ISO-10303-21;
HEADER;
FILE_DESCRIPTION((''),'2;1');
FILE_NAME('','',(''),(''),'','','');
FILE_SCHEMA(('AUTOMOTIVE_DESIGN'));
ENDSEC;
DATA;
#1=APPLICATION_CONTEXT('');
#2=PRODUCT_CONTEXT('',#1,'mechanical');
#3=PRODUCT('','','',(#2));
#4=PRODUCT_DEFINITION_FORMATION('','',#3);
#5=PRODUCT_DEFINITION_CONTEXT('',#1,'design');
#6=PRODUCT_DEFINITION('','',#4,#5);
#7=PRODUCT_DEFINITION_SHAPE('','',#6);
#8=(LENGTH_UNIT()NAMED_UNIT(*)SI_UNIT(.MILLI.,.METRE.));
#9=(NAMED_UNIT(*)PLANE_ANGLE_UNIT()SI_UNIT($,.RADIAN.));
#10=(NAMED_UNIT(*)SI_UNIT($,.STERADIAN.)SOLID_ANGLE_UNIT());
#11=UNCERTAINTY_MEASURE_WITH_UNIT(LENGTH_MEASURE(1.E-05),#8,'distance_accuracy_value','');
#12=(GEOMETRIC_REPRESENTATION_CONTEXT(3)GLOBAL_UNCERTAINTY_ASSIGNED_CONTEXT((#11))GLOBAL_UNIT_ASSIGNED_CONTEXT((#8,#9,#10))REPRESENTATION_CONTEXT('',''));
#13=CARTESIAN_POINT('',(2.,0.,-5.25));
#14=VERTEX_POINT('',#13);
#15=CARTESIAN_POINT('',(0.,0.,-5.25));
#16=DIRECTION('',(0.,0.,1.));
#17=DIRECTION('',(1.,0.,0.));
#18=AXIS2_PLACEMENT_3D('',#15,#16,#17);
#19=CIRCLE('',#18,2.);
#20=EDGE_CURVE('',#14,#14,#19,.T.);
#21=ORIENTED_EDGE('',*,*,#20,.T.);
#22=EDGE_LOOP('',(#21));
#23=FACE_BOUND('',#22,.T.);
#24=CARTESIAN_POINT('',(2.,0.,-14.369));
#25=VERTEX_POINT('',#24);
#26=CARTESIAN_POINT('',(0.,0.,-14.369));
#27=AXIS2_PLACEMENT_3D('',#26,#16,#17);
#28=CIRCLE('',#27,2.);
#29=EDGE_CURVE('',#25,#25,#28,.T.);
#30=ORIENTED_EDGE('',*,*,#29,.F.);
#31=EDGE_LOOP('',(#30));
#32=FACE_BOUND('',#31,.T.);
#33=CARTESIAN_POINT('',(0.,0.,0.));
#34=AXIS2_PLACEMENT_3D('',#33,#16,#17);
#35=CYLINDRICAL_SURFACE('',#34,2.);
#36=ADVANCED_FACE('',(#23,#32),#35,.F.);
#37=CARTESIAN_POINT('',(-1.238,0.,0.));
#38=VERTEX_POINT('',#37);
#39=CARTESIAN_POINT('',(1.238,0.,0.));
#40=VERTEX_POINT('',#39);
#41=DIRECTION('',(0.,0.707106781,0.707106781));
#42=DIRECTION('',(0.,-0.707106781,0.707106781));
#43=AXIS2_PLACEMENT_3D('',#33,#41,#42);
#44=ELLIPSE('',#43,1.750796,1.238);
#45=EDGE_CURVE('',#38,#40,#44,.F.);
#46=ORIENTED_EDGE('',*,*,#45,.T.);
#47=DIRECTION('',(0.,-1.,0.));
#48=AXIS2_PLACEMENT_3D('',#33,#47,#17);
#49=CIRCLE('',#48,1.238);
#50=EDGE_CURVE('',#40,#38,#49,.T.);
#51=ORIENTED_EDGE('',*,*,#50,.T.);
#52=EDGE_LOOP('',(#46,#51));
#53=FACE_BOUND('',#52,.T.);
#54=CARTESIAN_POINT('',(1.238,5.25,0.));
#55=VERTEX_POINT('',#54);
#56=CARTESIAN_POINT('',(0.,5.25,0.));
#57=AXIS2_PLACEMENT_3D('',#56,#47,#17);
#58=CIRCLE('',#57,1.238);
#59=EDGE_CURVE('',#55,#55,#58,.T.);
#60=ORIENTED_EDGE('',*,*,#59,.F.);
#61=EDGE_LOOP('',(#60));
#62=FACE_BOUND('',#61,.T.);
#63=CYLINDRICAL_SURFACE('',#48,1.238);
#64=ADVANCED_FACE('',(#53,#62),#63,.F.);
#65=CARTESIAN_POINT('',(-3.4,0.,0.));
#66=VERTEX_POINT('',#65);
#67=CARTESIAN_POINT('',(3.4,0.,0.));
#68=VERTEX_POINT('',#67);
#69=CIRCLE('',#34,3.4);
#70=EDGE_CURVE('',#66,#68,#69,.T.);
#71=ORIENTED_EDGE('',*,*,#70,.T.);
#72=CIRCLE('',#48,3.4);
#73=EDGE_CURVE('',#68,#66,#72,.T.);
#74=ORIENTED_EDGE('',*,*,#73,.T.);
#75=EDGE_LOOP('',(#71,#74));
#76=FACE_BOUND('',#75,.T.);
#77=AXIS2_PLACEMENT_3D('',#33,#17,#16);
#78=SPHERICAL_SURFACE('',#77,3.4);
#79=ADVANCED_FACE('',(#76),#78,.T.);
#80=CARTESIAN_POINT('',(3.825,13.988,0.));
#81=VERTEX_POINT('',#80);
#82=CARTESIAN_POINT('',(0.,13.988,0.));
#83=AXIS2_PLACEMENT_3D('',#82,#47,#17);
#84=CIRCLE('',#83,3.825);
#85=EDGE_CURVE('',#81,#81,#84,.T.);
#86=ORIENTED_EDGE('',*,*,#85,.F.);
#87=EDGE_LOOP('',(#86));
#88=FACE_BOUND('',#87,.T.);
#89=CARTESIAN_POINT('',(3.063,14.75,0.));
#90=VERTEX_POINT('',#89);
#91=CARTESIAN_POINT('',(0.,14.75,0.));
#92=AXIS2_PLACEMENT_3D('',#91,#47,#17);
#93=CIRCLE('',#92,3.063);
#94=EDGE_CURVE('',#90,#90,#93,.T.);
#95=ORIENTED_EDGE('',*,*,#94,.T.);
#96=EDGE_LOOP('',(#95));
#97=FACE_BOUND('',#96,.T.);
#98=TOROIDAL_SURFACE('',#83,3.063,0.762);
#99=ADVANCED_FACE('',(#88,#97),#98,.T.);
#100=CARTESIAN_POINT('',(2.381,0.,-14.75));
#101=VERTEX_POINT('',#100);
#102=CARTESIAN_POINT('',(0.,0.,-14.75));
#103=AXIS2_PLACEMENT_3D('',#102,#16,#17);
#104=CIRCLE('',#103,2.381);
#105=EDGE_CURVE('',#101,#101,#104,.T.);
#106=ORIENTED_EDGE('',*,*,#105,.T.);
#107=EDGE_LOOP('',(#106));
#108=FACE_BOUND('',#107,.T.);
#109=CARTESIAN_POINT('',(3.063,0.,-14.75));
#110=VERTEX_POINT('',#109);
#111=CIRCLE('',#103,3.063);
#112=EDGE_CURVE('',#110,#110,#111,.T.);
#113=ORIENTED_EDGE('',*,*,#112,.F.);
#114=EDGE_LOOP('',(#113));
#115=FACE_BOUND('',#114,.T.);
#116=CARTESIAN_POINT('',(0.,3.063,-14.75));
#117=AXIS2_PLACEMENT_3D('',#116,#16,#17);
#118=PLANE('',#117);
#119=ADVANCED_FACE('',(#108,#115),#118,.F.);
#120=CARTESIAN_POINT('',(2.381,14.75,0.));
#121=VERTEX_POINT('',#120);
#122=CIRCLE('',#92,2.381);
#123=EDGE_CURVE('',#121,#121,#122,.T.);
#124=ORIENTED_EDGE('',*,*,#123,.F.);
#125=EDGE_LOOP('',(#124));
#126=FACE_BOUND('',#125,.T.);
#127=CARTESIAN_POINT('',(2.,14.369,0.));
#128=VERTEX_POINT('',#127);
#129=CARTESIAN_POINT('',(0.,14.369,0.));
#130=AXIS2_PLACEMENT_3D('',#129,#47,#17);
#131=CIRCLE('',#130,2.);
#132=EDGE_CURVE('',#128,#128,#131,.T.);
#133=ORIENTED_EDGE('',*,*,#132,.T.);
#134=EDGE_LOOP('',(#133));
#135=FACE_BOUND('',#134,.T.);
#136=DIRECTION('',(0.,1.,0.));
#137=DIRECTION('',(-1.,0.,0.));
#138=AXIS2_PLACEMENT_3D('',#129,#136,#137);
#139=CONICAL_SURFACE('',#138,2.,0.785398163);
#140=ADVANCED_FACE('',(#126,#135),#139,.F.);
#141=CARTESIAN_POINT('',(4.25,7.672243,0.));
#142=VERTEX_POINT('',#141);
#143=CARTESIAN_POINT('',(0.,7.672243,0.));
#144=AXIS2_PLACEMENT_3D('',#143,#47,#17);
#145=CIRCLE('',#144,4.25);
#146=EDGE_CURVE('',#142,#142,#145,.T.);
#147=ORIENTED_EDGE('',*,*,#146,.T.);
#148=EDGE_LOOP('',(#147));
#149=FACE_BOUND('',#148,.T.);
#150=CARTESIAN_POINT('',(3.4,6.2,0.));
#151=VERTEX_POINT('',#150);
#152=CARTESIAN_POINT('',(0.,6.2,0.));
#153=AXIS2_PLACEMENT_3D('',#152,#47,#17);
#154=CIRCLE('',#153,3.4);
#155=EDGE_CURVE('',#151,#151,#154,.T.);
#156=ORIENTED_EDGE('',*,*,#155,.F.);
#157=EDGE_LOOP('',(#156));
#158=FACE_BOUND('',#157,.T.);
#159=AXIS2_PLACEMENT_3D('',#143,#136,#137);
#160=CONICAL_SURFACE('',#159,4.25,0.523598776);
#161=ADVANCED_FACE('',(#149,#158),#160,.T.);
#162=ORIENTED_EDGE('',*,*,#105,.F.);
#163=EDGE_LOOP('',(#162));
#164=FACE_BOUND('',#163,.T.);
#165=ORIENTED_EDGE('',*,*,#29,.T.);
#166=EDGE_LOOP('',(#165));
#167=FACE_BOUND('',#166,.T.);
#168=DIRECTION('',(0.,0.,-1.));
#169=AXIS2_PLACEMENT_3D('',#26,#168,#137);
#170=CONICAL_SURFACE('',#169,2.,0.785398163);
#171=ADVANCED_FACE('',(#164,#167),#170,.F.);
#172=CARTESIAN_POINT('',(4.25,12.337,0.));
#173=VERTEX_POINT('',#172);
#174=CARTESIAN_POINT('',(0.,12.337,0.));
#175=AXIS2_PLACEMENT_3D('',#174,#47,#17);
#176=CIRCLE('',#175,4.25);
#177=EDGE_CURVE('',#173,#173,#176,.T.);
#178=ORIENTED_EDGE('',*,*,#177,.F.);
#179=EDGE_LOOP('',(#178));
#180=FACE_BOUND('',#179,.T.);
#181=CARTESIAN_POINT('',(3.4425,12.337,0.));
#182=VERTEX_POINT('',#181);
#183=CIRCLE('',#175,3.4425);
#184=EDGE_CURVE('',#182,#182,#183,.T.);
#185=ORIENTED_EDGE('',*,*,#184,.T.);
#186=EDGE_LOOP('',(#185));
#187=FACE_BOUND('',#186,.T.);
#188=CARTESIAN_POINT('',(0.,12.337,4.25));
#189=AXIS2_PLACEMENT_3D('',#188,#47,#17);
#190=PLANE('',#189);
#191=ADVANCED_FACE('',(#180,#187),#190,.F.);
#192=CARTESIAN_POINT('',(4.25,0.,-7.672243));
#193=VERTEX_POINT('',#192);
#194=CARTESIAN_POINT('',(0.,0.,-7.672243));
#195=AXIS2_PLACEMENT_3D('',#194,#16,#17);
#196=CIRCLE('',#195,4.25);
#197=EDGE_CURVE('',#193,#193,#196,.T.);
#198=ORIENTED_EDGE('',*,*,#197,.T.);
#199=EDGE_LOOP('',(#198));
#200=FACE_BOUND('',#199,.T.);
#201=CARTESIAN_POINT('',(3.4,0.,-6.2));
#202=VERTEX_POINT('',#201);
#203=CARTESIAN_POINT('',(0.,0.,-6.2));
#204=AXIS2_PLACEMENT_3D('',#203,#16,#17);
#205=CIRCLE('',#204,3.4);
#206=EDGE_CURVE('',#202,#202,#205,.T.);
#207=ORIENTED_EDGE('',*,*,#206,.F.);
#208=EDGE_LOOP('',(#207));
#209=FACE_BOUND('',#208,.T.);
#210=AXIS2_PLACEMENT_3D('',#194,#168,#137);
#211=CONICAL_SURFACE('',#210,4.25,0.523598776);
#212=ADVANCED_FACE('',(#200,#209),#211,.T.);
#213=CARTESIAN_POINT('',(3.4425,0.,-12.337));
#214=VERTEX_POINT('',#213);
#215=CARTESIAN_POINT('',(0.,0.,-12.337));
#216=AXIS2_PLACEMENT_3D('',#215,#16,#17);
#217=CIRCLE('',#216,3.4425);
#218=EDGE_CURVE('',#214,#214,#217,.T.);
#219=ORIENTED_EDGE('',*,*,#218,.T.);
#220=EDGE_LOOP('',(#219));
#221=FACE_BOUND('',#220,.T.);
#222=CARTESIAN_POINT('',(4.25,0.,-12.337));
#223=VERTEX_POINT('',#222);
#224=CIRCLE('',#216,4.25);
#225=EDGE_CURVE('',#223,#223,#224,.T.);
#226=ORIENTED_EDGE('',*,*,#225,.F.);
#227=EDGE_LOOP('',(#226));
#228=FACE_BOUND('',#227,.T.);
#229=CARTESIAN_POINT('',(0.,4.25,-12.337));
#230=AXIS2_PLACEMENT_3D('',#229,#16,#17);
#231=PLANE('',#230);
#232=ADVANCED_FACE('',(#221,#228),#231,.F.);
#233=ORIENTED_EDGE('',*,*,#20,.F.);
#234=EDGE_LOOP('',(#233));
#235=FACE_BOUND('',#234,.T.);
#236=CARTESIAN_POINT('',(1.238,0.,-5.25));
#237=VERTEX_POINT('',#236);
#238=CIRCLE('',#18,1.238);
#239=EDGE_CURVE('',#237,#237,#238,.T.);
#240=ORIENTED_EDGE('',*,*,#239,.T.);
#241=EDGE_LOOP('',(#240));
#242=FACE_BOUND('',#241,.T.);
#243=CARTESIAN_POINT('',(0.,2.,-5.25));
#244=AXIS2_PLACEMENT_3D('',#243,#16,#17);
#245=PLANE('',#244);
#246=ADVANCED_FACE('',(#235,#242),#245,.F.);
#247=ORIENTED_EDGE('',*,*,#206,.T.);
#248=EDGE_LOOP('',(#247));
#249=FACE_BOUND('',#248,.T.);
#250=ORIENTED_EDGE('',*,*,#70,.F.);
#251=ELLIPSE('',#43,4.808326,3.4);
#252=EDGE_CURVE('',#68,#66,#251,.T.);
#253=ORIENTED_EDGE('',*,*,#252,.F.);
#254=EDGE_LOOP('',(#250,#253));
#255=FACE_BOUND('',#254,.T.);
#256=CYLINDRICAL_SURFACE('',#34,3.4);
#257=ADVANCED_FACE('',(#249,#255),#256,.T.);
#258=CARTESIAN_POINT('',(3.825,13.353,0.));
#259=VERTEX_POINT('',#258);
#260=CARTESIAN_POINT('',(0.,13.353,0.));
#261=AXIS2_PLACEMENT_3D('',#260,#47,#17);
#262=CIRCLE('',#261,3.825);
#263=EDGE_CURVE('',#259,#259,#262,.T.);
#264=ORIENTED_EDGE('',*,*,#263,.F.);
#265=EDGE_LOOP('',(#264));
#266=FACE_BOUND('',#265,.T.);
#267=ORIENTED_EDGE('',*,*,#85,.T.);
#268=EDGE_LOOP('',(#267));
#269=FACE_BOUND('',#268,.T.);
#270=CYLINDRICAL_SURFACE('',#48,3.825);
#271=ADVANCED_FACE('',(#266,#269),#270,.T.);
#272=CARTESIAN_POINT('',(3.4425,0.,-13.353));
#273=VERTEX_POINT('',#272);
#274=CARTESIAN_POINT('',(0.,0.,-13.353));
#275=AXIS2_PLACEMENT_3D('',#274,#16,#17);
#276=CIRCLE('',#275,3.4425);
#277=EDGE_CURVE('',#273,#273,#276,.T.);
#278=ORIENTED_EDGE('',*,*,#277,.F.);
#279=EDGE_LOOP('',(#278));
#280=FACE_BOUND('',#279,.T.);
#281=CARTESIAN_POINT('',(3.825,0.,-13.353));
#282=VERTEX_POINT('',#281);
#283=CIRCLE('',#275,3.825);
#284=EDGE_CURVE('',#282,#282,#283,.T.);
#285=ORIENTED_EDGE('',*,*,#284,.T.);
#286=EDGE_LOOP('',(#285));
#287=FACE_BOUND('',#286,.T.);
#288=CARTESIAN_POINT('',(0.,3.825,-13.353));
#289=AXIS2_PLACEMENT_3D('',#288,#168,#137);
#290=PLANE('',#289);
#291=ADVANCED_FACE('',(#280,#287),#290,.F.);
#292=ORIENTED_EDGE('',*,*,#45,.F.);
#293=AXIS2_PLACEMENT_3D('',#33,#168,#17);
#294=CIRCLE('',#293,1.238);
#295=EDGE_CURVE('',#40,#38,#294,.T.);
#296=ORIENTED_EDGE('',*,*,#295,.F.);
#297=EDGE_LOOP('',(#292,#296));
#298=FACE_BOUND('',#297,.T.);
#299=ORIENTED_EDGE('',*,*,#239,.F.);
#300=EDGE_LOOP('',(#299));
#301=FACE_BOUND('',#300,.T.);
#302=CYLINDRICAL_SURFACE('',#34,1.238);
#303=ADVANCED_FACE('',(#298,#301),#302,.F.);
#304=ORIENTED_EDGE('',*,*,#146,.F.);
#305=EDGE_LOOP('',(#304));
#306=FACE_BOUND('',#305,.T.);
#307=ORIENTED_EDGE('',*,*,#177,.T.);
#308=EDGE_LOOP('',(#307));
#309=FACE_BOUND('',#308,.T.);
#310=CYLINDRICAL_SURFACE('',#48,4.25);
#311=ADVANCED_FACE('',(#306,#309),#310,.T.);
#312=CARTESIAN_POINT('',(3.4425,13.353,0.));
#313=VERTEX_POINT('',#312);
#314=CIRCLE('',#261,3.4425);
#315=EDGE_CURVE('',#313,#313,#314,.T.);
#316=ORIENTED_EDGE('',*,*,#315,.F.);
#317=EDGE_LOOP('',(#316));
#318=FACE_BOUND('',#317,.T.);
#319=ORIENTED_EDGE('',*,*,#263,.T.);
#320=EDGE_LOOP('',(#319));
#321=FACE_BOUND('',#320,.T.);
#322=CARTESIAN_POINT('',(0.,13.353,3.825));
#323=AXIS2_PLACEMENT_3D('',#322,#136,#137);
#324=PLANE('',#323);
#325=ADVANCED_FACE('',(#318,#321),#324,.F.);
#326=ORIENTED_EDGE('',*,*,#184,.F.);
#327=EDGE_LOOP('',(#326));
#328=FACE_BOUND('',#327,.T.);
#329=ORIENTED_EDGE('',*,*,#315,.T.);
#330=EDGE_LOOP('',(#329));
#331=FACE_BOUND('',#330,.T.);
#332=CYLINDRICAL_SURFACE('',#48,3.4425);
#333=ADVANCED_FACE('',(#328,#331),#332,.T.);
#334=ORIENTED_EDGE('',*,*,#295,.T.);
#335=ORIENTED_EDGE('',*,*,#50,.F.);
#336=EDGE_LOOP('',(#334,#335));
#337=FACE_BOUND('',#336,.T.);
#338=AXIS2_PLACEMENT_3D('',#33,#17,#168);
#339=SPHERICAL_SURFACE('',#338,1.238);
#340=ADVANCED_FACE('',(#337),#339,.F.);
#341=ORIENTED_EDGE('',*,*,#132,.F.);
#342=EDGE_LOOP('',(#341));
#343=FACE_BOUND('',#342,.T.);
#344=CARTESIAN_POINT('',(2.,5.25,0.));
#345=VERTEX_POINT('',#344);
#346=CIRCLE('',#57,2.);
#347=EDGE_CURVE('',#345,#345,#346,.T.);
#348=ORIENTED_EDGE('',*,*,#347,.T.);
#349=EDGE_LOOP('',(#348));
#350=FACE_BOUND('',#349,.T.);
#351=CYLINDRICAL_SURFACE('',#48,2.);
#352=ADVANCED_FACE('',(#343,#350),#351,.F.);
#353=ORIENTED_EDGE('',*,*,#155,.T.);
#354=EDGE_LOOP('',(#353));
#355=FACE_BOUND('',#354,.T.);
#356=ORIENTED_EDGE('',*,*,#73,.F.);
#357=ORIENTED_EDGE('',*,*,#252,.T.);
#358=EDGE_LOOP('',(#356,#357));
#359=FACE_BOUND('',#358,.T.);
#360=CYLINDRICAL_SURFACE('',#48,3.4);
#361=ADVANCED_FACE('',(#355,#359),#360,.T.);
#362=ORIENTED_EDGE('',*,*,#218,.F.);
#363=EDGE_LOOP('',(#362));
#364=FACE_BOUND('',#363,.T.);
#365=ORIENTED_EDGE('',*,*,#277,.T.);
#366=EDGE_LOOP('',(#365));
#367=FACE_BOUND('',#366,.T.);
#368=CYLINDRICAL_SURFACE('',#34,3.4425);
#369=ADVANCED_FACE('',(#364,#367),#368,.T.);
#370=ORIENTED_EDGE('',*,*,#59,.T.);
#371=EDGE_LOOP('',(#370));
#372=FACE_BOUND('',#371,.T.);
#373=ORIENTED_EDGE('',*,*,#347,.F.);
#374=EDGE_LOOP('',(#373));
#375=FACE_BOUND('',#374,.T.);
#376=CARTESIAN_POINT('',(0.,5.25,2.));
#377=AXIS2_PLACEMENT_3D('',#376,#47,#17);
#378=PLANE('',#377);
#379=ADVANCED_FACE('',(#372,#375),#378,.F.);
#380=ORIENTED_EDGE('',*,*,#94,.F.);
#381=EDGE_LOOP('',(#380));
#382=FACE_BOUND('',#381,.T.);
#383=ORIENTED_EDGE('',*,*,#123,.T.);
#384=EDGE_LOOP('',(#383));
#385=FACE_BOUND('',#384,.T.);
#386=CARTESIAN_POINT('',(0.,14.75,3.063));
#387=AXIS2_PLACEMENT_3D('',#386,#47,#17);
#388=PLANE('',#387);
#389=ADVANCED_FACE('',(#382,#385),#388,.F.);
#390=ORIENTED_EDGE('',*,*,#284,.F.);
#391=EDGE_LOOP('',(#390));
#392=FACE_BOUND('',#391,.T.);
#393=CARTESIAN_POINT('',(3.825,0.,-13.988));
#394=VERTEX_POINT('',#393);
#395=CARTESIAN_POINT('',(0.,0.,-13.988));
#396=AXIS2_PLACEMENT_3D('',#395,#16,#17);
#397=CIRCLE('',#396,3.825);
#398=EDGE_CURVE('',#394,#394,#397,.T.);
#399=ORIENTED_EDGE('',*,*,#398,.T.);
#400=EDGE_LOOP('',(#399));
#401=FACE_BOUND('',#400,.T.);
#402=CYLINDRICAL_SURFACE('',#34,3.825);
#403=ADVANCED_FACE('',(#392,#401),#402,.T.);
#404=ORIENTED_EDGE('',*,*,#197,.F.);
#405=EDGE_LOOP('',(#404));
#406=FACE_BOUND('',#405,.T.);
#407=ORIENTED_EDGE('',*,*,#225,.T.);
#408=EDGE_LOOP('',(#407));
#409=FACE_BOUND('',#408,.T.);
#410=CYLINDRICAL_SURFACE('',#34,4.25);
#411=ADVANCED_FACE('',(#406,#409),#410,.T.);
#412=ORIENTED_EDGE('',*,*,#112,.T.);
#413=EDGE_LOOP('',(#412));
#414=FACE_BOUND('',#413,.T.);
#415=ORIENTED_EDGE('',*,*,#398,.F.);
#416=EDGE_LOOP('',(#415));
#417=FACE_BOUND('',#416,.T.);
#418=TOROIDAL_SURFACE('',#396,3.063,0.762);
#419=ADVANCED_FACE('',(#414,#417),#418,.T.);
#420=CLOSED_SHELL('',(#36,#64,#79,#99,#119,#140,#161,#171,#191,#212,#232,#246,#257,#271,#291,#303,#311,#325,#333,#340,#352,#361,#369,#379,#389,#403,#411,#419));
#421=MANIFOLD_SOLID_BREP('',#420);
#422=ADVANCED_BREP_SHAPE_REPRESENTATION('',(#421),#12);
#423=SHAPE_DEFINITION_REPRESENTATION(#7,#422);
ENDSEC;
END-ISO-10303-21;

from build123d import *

# Parameters (mm, degrees)
CIRPATTERN1_COUNT = 2
CIRPATTERN1_ANGLE = 90
REVOLVE2_ANGLE    = 90
CIRPATTERN2_COUNT = 2
CIRPATTERN2_ANGLE = 90


with BuildPart() as part:
    # Sketch1 → Revolve1 (revolve)
    with BuildSketch(Plane(origin=(0, 0, 0), x_dir=(0, 0, -1), z_dir=(1, 0, 0)), mode=Mode.PRIVATE) as revolve1_sk:
        with BuildLine():
            Line((13.353, 3.825), (13.988, 3.825))
            ThreePointArc((13.988, 3.825), (14.526815367, 3.601815367), (14.75, 3.063))
            Line((14.75, 3.063), (14.75, 2.381))
            Line((14.75, 2.381), (14.369, 2))
            Line((14.369, 2), (5.25, 2))
            Line((5.25, 2), (5.25, 1.238))
            Line((5.25, 1.238), (0, 1.238))
            Line((0, 1.238), (0, 3.4))
            Line((0, 3.4), (6.2, 3.4))
            Line((6.2, 3.4), (7.672243186, 4.25))
            Line((7.672243186, 4.25), (12.337, 4.25))
            Line((12.337, 4.25), (12.337, 3.4425))
            Line((12.337, 3.4425), (13.353, 3.4425))
            Line((13.353, 3.4425), (13.353, 3.825))
        make_face()
    revolve(revolve1_sk.sketch.rotate(Axis((0, 0, 0), (0, 0, -1)), 90), axis=Axis((0, 0, 0), (0, 0, -1)))


with BuildPart() as cirpattern1_1:
    # CirPattern1: pattern copy
    add(part.part.rotate(Axis((-4.675, 0, 0), (1, 0, 0)), 1 * CIRPATTERN1_ANGLE / (CIRPATTERN1_COUNT - 1)))


with BuildPart() as part_1:
    add(part.part)

    # Sketch2 → Revolve2 (revolve)
    with BuildSketch(Plane.XY):
        with BuildLine():
            Line((-3.4, 0), (-1.238, 0))
            ThreePointArc((-1.238, 0), (0, -1.238), (1.238, 0))
            Line((1.238, 0), (3.4, 0))
            ThreePointArc((3.4, 0), (0, -3.4), (-3.4, 0))
        make_face()
    revolve(axis=Axis((-3.4, 0, 0), (-1, 0, 0)), revolution_arc=REVOLVE2_ANGLE)

    # Combine1: union CirPattern1_1
    add(cirpattern1_1.part)

    # Sketch3 → Cut-Revolve1 (revolve, cut)
    with BuildSketch(Plane(origin=(0, 0, 0), x_dir=(0, 0, -1), z_dir=(1, 0, 0)), mode=Mode.PRIVATE) as cut_revolve1_sk:
        Polygon((14.75, 2.381), (14.369, 2), (5.25, 2), (5.25, 1.238), (0, 1.238), (0, 0), (14.75, 0), align=None)
    cut_revolve1 = revolve(cut_revolve1_sk.sketch.rotate(Axis((0, 0, 0), (0, 0, -1)), 90), axis=Axis((0, 0, 0), (0, 0, -1)), mode=Mode.SUBTRACT)

    # CirPattern2: Cut-Revolve1 ×2 about axis
    cirpattern2_axis = Axis((-4.675, 0, 0), (1, 0, 0))
    for i in range(1, CIRPATTERN2_COUNT):
        add(cut_revolve1.rotate(cirpattern2_axis, i * CIRPATTERN2_ANGLE / (CIRPATTERN2_COUNT - 1)), mode=Mode.SUBTRACT)


solid = part_1.part
